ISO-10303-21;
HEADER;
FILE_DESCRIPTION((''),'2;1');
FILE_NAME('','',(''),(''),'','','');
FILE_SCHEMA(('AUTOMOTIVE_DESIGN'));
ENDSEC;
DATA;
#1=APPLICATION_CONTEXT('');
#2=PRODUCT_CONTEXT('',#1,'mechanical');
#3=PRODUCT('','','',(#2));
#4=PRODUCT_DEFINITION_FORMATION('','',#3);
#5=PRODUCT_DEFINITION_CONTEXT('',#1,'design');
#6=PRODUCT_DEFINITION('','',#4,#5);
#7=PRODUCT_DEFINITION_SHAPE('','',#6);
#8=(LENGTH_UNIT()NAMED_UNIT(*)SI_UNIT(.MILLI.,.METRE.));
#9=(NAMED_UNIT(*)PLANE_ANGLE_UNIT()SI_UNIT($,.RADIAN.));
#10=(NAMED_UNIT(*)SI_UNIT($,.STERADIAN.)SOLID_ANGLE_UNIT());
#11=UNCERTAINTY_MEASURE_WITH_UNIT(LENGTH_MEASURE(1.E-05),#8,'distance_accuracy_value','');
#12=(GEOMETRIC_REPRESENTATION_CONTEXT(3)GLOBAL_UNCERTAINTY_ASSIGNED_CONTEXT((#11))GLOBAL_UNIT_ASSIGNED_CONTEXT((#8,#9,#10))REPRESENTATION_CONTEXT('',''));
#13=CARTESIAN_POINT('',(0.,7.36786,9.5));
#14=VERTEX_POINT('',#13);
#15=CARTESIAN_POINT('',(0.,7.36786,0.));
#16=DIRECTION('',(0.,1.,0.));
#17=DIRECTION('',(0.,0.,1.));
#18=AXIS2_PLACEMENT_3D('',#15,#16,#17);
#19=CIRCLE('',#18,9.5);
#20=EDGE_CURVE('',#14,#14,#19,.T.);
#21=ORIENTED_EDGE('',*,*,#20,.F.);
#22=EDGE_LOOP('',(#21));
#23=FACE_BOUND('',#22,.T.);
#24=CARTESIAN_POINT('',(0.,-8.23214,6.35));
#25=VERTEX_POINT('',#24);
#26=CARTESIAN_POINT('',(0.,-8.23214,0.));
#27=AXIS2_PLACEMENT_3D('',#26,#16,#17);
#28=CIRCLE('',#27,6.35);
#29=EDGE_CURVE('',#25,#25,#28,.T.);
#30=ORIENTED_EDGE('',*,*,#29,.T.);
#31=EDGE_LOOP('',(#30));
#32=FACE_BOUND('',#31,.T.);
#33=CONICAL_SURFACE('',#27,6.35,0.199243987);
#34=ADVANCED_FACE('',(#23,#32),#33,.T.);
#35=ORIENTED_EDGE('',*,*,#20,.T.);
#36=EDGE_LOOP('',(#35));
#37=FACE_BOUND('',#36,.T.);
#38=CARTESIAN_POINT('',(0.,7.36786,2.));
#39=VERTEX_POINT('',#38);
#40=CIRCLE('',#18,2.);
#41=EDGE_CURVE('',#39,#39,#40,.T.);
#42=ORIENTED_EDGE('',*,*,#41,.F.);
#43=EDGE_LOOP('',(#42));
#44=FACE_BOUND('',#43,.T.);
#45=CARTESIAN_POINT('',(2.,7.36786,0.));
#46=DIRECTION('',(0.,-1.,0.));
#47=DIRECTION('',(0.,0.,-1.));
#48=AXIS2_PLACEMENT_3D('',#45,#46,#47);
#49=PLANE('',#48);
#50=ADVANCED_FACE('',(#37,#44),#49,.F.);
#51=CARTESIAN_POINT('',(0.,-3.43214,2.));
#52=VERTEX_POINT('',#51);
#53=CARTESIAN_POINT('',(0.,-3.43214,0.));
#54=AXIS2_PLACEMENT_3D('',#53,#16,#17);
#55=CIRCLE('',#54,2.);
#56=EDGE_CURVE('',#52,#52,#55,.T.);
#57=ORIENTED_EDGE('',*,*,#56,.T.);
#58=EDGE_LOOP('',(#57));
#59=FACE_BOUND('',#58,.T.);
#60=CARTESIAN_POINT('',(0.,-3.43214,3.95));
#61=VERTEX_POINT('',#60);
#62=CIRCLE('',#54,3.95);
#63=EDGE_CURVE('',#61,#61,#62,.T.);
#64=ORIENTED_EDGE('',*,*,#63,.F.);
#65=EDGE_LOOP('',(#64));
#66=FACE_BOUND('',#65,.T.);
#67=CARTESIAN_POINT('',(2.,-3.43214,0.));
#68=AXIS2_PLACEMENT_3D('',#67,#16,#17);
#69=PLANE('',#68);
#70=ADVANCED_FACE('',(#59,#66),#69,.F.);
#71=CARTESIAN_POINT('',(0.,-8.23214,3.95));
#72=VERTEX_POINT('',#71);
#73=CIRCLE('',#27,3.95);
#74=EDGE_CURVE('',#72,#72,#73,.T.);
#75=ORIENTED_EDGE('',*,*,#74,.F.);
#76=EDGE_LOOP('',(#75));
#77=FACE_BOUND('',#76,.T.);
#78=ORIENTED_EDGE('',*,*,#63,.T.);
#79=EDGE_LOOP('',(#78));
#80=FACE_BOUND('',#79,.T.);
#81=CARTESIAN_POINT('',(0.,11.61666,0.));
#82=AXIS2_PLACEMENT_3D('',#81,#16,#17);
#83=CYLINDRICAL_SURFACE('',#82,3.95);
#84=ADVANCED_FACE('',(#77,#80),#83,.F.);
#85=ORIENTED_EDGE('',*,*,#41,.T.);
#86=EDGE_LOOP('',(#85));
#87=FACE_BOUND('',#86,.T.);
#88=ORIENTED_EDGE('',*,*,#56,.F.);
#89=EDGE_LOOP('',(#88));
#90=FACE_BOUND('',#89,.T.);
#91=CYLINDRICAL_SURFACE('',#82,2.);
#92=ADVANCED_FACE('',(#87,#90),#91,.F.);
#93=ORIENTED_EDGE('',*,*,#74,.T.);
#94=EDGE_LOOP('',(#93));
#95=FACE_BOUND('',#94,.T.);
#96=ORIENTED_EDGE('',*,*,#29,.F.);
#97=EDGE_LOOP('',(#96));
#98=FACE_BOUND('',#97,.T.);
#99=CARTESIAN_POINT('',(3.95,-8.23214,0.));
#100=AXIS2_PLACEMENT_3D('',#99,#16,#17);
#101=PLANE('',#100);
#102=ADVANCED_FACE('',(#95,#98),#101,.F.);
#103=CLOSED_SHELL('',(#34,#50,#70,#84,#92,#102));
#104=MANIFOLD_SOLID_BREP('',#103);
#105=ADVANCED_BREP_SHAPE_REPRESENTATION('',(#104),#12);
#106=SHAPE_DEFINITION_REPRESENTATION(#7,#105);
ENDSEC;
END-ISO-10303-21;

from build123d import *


with BuildPart() as part:
    # Skica1 → Rotovat1 (revolve)
    with BuildSketch(Plane.XY, mode=Mode.PRIVATE) as rotovat1_sk:
        Polygon((2, 7.367859907), (9.5, 7.367859907), (6.35, -8.232140093), (3.95, -8.232140093), (3.95, -3.432140093), (2, -3.432140093), align=None)
    revolve(rotovat1_sk.sketch.rotate(Axis((0, 11.616660217, 0), (0, -1, 0)), 90), axis=Axis((0, 11.616660217, 0), (0, -1, 0)))


solid = part.part
